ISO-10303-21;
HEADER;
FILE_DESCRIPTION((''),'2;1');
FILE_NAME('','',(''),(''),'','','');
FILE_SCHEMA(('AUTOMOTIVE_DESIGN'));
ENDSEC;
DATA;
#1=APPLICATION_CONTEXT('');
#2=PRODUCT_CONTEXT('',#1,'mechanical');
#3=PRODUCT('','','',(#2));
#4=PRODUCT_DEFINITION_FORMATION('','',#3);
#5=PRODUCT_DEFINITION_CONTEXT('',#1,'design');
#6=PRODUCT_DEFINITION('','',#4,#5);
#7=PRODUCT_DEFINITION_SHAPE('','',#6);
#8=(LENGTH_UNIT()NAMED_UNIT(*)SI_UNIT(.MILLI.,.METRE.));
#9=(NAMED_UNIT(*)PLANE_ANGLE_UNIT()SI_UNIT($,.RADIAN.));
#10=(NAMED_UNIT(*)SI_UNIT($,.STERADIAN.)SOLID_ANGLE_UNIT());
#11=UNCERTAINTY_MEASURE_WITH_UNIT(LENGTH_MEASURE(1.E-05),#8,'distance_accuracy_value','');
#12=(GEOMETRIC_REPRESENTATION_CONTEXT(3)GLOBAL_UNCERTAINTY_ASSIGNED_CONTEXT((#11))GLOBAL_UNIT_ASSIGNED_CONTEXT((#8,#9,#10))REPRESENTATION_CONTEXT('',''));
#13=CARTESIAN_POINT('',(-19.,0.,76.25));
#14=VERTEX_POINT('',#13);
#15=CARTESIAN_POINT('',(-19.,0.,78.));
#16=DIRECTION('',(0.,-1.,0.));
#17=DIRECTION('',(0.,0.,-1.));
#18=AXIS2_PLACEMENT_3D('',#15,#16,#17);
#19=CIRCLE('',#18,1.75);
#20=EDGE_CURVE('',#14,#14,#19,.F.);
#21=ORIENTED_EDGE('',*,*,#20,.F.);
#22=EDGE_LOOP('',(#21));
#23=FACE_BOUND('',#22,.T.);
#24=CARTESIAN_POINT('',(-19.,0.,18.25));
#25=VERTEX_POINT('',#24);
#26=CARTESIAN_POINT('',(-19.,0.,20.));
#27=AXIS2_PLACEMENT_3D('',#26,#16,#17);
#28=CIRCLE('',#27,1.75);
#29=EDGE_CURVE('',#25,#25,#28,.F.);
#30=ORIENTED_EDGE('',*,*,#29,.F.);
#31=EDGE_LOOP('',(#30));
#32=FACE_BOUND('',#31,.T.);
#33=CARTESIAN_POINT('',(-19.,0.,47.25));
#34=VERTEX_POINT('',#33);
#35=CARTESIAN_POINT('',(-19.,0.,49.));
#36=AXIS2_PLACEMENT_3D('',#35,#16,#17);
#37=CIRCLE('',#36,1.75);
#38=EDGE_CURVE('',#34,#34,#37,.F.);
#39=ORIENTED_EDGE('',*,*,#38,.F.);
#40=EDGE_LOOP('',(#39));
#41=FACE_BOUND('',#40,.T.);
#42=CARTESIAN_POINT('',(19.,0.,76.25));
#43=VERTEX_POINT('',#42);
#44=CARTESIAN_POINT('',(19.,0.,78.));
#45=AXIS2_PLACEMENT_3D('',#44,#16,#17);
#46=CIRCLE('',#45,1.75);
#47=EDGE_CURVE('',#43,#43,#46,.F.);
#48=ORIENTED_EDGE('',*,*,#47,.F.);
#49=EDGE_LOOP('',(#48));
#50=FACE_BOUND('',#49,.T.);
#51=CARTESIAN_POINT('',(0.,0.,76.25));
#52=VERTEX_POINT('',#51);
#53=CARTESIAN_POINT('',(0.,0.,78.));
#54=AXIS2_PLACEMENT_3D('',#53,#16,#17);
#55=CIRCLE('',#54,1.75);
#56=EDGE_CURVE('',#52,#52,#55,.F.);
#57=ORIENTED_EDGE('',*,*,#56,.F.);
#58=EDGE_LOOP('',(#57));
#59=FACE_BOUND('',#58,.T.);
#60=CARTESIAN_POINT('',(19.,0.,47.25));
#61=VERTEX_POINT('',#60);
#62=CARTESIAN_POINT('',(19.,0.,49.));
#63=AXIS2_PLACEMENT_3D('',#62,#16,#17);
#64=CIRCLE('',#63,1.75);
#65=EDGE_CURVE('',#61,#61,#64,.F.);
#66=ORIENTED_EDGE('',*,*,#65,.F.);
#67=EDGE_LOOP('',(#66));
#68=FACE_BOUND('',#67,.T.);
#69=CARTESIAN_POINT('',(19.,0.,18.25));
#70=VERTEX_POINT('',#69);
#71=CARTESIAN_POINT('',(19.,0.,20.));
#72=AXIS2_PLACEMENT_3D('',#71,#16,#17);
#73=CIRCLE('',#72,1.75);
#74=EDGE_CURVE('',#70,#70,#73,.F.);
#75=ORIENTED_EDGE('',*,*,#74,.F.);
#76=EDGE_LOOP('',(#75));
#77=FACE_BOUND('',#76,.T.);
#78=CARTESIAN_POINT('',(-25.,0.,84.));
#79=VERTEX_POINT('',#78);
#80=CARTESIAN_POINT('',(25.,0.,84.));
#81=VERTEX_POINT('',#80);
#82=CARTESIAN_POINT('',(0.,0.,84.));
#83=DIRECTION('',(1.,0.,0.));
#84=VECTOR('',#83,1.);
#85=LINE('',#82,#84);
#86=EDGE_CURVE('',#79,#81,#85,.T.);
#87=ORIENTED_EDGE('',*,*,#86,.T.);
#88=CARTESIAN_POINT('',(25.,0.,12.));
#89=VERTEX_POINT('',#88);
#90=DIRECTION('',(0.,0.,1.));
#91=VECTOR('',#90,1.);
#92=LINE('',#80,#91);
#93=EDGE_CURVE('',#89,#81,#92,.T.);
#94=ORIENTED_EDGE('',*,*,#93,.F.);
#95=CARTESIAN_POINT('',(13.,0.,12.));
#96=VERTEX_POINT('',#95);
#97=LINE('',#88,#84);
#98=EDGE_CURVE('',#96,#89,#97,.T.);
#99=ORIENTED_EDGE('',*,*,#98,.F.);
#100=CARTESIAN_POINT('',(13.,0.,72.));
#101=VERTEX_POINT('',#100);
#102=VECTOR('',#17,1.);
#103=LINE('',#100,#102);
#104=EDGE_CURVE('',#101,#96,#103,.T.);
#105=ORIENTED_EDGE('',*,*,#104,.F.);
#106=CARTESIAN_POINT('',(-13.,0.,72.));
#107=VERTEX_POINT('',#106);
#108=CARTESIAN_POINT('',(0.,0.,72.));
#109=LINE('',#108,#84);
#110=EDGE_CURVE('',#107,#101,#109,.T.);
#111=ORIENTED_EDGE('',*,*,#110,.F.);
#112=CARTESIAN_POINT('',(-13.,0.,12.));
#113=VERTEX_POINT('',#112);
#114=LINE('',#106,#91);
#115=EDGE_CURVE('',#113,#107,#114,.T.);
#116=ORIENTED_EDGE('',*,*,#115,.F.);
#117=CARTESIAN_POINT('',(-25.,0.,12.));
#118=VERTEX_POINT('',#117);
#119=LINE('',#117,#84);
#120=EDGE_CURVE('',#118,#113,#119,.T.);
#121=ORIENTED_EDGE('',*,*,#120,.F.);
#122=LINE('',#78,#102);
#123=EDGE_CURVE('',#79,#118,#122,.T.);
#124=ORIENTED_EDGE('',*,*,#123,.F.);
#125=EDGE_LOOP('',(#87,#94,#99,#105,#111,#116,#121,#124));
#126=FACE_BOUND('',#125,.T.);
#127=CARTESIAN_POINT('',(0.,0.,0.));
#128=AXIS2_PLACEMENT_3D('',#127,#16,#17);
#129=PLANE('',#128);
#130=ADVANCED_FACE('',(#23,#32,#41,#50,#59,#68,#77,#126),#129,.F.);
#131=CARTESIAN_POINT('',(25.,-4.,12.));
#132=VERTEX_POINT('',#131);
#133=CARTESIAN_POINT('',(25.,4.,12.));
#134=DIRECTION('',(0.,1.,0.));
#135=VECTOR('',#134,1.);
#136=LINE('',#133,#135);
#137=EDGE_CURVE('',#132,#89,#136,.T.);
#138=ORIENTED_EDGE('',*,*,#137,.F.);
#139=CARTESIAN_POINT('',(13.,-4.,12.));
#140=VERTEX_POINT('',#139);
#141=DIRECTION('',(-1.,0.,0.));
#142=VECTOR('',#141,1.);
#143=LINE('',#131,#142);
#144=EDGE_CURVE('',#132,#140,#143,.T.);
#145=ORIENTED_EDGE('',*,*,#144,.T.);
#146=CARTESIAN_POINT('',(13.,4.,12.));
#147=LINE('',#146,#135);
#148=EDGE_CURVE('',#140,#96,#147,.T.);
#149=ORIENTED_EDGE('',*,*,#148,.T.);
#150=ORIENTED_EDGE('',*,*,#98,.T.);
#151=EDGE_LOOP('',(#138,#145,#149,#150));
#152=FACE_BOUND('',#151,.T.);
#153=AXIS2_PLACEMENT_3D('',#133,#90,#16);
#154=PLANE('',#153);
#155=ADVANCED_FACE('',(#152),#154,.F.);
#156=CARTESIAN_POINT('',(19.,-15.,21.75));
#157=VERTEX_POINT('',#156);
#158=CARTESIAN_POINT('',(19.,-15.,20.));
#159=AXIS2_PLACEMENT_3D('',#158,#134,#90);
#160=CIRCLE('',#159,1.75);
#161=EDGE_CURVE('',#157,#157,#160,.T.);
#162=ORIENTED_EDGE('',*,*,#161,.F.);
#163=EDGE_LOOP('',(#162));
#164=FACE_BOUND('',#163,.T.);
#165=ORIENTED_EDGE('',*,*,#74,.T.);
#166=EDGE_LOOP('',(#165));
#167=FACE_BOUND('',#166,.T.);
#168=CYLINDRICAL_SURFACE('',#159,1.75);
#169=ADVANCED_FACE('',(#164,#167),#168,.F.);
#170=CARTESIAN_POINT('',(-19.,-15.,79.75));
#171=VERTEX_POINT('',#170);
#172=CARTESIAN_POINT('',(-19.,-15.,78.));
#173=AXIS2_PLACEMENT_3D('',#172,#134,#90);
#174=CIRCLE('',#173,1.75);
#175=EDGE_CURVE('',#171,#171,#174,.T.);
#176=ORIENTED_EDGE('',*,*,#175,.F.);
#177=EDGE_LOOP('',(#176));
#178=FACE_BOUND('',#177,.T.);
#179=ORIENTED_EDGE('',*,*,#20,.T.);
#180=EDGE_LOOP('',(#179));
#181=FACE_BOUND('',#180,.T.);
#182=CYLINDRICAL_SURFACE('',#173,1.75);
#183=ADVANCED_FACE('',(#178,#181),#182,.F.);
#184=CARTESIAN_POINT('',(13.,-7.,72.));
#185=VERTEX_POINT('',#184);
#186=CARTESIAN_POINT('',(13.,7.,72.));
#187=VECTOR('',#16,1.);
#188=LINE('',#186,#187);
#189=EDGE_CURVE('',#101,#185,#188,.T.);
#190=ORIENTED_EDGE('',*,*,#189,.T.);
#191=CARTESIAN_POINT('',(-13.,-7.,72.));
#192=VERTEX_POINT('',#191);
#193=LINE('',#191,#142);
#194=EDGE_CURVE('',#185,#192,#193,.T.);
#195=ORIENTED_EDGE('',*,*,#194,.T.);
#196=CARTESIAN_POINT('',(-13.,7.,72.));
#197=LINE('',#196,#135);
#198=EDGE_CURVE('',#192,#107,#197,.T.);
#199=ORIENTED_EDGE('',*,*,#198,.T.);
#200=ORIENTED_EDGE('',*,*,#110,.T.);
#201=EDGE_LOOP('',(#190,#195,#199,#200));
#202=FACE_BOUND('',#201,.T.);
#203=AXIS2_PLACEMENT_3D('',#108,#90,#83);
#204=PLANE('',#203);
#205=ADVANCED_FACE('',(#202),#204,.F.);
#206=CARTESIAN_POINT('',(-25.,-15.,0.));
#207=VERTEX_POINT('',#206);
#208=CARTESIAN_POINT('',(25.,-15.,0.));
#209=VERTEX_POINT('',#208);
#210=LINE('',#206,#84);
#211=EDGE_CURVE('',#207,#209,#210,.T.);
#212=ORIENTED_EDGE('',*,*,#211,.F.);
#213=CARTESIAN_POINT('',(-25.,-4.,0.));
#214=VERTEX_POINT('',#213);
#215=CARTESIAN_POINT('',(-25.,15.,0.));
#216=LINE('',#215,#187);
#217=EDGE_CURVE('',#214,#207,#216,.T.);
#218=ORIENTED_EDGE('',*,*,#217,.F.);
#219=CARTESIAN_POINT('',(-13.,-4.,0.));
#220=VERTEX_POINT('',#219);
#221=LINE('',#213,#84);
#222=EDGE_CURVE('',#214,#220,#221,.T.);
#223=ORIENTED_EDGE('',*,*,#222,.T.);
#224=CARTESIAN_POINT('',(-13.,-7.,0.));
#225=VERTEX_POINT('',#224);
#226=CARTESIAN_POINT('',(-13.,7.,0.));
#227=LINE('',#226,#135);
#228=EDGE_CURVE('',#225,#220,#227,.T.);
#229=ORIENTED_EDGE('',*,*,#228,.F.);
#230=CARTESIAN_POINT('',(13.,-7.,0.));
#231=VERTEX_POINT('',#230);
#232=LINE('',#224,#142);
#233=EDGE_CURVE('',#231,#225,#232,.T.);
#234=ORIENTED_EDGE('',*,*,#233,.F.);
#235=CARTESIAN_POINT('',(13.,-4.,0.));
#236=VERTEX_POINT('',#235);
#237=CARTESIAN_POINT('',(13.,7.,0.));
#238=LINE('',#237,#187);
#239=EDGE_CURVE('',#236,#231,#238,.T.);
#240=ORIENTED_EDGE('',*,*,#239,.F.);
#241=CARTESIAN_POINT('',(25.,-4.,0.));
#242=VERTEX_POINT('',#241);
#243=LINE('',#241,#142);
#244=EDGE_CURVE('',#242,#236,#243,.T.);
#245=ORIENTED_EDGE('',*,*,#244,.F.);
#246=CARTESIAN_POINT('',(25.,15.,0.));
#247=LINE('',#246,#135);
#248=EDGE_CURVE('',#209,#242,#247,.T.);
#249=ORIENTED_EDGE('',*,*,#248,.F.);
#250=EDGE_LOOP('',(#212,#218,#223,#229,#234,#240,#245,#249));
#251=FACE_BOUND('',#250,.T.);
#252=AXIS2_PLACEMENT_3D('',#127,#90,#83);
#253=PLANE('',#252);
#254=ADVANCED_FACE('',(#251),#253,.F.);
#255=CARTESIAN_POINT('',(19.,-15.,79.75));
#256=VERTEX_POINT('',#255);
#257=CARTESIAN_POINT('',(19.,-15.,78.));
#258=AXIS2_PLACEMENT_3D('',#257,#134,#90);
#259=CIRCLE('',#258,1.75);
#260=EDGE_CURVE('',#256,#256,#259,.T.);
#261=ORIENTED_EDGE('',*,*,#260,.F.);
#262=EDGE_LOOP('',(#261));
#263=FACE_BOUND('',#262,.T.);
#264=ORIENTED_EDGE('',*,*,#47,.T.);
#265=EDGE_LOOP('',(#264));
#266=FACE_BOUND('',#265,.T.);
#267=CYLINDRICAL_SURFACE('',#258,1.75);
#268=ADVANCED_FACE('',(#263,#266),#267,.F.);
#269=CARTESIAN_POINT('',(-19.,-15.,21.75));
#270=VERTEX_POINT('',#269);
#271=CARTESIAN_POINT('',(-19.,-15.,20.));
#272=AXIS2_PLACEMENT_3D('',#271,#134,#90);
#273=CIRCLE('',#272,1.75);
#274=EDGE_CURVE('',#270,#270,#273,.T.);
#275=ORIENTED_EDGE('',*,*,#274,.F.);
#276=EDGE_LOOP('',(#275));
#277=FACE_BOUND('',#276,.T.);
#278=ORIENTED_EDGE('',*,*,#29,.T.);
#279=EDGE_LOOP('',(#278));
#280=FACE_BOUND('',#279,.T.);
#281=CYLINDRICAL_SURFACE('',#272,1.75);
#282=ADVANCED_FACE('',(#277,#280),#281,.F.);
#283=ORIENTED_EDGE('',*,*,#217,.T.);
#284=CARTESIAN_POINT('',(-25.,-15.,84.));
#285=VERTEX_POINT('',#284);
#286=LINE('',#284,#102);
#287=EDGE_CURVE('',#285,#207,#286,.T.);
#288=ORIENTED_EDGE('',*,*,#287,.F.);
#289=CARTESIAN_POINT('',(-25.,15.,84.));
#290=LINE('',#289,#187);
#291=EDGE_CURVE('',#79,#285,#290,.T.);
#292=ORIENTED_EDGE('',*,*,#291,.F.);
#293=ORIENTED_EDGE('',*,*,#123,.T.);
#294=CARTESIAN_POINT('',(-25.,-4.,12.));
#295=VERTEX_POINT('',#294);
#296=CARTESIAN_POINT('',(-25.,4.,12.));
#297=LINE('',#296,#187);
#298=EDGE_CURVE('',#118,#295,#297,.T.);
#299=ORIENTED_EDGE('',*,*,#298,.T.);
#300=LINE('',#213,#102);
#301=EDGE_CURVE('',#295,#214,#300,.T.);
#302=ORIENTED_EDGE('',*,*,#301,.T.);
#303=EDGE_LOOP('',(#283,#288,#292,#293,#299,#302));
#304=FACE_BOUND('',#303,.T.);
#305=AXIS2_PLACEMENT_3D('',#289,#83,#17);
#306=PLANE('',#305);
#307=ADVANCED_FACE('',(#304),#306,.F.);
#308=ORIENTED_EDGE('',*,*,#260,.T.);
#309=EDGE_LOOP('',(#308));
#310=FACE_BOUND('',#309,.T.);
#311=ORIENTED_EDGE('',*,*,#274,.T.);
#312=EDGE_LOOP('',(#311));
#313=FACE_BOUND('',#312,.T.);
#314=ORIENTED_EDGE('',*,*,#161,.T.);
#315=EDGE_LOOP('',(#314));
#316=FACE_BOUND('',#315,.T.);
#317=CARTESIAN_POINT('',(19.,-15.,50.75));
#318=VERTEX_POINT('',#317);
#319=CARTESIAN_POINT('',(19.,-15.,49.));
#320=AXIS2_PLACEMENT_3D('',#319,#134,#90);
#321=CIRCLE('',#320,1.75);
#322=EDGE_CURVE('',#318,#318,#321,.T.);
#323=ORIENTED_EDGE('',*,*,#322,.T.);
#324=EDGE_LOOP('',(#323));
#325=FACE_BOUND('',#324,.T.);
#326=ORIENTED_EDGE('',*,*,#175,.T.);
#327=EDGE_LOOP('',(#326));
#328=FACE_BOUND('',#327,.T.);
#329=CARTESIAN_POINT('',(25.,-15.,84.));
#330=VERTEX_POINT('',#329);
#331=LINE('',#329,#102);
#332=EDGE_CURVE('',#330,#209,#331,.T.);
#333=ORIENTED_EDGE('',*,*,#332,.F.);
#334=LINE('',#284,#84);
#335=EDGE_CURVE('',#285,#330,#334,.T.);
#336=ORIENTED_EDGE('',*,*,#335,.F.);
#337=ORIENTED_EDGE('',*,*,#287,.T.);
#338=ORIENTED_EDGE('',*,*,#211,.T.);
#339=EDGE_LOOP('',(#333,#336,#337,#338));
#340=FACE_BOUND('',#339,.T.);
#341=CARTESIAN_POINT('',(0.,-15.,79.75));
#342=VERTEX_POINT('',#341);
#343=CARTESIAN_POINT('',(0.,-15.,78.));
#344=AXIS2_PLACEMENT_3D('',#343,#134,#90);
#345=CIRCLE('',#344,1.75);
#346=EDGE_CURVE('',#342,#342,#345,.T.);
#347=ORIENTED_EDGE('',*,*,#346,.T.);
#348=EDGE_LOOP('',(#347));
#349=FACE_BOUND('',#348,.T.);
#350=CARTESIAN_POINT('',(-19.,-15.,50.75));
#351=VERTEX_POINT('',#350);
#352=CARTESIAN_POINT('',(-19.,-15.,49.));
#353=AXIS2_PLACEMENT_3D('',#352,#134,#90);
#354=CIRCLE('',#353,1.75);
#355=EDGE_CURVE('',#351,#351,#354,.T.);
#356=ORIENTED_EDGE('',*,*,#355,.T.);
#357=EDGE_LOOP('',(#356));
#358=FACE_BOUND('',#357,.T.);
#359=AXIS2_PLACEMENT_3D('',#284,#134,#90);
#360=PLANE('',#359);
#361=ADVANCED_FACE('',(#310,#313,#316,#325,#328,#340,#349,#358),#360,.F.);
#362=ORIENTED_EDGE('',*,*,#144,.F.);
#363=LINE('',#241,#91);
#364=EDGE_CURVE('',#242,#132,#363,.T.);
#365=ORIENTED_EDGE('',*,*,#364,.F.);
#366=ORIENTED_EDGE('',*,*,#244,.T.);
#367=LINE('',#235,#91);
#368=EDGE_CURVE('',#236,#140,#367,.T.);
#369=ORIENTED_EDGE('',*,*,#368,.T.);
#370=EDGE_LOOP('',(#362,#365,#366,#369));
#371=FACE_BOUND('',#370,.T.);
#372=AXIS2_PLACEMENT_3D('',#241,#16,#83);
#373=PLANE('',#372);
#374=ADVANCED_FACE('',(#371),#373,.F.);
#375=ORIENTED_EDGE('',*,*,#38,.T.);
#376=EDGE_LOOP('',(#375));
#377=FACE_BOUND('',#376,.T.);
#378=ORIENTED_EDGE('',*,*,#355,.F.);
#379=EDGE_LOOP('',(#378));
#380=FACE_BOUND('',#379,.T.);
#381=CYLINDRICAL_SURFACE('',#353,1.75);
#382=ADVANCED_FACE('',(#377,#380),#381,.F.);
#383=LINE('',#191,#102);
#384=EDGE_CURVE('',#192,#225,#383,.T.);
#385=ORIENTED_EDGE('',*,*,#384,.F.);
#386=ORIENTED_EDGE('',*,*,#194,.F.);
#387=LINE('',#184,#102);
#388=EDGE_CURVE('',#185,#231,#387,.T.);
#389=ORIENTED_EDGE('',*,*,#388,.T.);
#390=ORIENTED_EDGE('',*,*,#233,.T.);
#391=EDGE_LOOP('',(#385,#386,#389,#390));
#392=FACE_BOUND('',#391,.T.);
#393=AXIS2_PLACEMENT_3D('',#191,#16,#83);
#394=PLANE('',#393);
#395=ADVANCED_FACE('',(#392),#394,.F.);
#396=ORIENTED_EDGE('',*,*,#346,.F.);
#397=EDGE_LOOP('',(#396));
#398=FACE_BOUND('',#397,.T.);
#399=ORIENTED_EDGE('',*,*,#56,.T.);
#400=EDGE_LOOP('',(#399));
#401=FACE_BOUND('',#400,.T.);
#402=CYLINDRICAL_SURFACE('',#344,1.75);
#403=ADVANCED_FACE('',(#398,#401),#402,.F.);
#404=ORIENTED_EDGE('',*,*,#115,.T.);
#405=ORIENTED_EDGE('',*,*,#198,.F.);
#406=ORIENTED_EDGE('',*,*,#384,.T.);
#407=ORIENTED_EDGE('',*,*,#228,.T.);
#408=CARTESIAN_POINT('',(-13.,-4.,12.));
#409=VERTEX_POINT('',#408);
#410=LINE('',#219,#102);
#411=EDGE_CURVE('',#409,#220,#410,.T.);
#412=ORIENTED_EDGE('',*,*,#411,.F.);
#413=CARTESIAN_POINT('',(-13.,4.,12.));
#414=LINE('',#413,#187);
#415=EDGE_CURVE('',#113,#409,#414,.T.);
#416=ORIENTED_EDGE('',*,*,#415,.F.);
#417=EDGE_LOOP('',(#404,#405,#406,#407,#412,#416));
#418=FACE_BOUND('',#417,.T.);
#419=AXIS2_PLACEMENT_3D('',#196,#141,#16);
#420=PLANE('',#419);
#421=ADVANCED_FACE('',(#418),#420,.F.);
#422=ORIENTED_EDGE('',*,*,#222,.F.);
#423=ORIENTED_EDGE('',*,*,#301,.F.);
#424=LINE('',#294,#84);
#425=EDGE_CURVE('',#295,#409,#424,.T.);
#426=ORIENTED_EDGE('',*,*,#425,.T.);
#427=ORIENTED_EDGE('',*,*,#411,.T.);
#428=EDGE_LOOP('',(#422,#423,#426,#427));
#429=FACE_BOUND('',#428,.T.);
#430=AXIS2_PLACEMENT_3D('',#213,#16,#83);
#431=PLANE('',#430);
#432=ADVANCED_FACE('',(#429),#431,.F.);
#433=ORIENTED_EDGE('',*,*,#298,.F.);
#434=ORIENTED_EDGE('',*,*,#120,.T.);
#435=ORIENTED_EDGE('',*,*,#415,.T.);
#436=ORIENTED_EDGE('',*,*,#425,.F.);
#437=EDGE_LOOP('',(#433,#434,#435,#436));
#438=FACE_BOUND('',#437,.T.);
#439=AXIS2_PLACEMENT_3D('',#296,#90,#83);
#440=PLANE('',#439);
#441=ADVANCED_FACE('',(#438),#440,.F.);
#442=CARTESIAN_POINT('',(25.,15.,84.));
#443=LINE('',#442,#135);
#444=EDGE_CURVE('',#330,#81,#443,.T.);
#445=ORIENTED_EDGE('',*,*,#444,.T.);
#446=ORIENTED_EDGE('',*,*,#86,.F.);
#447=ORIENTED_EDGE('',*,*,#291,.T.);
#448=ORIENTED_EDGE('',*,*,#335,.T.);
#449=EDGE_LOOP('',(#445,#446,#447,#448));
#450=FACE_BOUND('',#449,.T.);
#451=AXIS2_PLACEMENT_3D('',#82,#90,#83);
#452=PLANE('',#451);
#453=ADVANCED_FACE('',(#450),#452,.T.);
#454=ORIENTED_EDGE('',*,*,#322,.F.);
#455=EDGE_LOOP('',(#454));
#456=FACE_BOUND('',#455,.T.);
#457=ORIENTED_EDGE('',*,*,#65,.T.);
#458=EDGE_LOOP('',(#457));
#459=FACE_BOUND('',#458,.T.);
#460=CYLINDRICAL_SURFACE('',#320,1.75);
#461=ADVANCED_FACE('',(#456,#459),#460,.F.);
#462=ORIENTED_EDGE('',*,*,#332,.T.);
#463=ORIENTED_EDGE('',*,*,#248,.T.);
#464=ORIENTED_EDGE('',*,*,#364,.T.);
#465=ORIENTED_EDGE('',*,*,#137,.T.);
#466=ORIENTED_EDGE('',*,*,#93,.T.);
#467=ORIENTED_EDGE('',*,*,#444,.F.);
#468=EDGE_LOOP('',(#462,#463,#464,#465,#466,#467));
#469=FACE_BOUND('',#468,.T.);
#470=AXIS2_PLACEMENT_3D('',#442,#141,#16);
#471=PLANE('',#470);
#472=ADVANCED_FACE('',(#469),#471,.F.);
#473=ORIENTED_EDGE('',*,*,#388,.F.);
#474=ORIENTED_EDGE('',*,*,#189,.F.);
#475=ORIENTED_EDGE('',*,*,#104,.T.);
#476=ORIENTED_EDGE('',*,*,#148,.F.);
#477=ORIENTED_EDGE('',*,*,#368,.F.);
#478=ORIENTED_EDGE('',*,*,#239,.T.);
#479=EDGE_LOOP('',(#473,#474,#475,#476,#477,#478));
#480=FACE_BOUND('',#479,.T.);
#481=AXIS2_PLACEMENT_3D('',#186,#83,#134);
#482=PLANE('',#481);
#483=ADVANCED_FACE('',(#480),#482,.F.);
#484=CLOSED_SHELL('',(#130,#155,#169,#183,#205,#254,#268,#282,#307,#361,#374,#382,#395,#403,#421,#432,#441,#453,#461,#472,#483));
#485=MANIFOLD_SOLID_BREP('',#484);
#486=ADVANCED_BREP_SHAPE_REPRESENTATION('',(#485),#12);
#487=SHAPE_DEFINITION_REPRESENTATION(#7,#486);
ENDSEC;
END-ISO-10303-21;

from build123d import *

# Parameters (mm, degrees)
SKETCH_1_W          = 50
SKETCH_1_H          = 30
EXTRUDE_1_DEPTH     = 84
SKETCH_2_W          = 26
SKETCH_2_H          = 14
CUT_EXTRUDE_1_DEPTH = 72
SKETCH_5_W          = 12
SKETCH_5_H          = 8
CUT_EXTRUDE_4_DEPTH = 94.407708461
SKETCH_6_W          = 12
SKETCH_6_H          = 8
CUT_EXTRUDE_5_DEPTH = 94.407708461
SKETCH_7_R          = 1.75
CUT_EXTRUDE_6_DEPTH = 93.633687177


with BuildPart() as part:
    # ｽｹｯﾁ1 → ﾎﾞｽ - 押し出し1 (new body)
    with BuildSketch(Plane.XY):
        Rectangle(SKETCH_1_W, SKETCH_1_H)
    extrude(amount=EXTRUDE_1_DEPTH)

    # ｽｹｯﾁ2 → ｶｯﾄ - 押し出し1 (cut)
    with BuildSketch(Plane(origin=(0, 0, 0), x_dir=(-1, 0, 0), z_dir=(0, 0, -1))):
        Rectangle(SKETCH_2_W, SKETCH_2_H)
    extrude(amount=-CUT_EXTRUDE_1_DEPTH, mode=Mode.SUBTRACT)

    # ｽｹｯﾁ5 → ｶｯﾄ - 押し出し4 (cut, through all)
    with BuildSketch(Plane.ZY.offset(-13)):
        with Locations((6, 0)):
            Rectangle(SKETCH_5_W, SKETCH_5_H)
    extrude(amount=-CUT_EXTRUDE_4_DEPTH, mode=Mode.SUBTRACT)

    # ｽｹｯﾁ6 → ｶｯﾄ - 押し出し5 (cut, through all)
    with BuildSketch(Plane(origin=(-13, 0, 0), x_dir=(0, 0, -1), z_dir=(1, 0, 0))):
        with Locations((-6, 0)):
            Rectangle(SKETCH_6_W, SKETCH_6_H)
    extrude(amount=-CUT_EXTRUDE_5_DEPTH, mode=Mode.SUBTRACT)

    # ｽｹｯﾁ7 → ｶｯﾄ - 押し出し6 (cut, through all)
    with BuildSketch(Plane(origin=(0, 15, 0), x_dir=(1, 0, 0), z_dir=(0, 1, 0))):
        with Locations(Location((19, -20, 0), (0, 0, 270))):
            Circle(SKETCH_7_R)
        with Locations(Location((19, -49, 0), (0, 0, 270))):
            Circle(SKETCH_7_R)
        with Locations(Location((19, -78, 0), (0, 0, 270))):
            Circle(SKETCH_7_R)
        with Locations(Location((0, -78, 0), (0, 0, 270))):
            Circle(SKETCH_7_R)
        with Locations(Location((-19, -78, 0), (0, 0, 270))):
            Circle(SKETCH_7_R)
        with Locations(Location((-19, -49, 0), (0, 0, 270))):
            Circle(SKETCH_7_R)
        with Locations(Location((-19, -20, 0), (0, 0, 270))):
            Circle(SKETCH_7_R)
    extrude(amount=-CUT_EXTRUDE_6_DEPTH, mode=Mode.SUBTRACT)

    # Surface Cut 1
    split(bisect_by=Plane(origin=(0, 0, 0), x_dir=(-1, 0, 0), z_dir=(0, -1, 0)), keep=Keep.TOP)


solid = part.part
